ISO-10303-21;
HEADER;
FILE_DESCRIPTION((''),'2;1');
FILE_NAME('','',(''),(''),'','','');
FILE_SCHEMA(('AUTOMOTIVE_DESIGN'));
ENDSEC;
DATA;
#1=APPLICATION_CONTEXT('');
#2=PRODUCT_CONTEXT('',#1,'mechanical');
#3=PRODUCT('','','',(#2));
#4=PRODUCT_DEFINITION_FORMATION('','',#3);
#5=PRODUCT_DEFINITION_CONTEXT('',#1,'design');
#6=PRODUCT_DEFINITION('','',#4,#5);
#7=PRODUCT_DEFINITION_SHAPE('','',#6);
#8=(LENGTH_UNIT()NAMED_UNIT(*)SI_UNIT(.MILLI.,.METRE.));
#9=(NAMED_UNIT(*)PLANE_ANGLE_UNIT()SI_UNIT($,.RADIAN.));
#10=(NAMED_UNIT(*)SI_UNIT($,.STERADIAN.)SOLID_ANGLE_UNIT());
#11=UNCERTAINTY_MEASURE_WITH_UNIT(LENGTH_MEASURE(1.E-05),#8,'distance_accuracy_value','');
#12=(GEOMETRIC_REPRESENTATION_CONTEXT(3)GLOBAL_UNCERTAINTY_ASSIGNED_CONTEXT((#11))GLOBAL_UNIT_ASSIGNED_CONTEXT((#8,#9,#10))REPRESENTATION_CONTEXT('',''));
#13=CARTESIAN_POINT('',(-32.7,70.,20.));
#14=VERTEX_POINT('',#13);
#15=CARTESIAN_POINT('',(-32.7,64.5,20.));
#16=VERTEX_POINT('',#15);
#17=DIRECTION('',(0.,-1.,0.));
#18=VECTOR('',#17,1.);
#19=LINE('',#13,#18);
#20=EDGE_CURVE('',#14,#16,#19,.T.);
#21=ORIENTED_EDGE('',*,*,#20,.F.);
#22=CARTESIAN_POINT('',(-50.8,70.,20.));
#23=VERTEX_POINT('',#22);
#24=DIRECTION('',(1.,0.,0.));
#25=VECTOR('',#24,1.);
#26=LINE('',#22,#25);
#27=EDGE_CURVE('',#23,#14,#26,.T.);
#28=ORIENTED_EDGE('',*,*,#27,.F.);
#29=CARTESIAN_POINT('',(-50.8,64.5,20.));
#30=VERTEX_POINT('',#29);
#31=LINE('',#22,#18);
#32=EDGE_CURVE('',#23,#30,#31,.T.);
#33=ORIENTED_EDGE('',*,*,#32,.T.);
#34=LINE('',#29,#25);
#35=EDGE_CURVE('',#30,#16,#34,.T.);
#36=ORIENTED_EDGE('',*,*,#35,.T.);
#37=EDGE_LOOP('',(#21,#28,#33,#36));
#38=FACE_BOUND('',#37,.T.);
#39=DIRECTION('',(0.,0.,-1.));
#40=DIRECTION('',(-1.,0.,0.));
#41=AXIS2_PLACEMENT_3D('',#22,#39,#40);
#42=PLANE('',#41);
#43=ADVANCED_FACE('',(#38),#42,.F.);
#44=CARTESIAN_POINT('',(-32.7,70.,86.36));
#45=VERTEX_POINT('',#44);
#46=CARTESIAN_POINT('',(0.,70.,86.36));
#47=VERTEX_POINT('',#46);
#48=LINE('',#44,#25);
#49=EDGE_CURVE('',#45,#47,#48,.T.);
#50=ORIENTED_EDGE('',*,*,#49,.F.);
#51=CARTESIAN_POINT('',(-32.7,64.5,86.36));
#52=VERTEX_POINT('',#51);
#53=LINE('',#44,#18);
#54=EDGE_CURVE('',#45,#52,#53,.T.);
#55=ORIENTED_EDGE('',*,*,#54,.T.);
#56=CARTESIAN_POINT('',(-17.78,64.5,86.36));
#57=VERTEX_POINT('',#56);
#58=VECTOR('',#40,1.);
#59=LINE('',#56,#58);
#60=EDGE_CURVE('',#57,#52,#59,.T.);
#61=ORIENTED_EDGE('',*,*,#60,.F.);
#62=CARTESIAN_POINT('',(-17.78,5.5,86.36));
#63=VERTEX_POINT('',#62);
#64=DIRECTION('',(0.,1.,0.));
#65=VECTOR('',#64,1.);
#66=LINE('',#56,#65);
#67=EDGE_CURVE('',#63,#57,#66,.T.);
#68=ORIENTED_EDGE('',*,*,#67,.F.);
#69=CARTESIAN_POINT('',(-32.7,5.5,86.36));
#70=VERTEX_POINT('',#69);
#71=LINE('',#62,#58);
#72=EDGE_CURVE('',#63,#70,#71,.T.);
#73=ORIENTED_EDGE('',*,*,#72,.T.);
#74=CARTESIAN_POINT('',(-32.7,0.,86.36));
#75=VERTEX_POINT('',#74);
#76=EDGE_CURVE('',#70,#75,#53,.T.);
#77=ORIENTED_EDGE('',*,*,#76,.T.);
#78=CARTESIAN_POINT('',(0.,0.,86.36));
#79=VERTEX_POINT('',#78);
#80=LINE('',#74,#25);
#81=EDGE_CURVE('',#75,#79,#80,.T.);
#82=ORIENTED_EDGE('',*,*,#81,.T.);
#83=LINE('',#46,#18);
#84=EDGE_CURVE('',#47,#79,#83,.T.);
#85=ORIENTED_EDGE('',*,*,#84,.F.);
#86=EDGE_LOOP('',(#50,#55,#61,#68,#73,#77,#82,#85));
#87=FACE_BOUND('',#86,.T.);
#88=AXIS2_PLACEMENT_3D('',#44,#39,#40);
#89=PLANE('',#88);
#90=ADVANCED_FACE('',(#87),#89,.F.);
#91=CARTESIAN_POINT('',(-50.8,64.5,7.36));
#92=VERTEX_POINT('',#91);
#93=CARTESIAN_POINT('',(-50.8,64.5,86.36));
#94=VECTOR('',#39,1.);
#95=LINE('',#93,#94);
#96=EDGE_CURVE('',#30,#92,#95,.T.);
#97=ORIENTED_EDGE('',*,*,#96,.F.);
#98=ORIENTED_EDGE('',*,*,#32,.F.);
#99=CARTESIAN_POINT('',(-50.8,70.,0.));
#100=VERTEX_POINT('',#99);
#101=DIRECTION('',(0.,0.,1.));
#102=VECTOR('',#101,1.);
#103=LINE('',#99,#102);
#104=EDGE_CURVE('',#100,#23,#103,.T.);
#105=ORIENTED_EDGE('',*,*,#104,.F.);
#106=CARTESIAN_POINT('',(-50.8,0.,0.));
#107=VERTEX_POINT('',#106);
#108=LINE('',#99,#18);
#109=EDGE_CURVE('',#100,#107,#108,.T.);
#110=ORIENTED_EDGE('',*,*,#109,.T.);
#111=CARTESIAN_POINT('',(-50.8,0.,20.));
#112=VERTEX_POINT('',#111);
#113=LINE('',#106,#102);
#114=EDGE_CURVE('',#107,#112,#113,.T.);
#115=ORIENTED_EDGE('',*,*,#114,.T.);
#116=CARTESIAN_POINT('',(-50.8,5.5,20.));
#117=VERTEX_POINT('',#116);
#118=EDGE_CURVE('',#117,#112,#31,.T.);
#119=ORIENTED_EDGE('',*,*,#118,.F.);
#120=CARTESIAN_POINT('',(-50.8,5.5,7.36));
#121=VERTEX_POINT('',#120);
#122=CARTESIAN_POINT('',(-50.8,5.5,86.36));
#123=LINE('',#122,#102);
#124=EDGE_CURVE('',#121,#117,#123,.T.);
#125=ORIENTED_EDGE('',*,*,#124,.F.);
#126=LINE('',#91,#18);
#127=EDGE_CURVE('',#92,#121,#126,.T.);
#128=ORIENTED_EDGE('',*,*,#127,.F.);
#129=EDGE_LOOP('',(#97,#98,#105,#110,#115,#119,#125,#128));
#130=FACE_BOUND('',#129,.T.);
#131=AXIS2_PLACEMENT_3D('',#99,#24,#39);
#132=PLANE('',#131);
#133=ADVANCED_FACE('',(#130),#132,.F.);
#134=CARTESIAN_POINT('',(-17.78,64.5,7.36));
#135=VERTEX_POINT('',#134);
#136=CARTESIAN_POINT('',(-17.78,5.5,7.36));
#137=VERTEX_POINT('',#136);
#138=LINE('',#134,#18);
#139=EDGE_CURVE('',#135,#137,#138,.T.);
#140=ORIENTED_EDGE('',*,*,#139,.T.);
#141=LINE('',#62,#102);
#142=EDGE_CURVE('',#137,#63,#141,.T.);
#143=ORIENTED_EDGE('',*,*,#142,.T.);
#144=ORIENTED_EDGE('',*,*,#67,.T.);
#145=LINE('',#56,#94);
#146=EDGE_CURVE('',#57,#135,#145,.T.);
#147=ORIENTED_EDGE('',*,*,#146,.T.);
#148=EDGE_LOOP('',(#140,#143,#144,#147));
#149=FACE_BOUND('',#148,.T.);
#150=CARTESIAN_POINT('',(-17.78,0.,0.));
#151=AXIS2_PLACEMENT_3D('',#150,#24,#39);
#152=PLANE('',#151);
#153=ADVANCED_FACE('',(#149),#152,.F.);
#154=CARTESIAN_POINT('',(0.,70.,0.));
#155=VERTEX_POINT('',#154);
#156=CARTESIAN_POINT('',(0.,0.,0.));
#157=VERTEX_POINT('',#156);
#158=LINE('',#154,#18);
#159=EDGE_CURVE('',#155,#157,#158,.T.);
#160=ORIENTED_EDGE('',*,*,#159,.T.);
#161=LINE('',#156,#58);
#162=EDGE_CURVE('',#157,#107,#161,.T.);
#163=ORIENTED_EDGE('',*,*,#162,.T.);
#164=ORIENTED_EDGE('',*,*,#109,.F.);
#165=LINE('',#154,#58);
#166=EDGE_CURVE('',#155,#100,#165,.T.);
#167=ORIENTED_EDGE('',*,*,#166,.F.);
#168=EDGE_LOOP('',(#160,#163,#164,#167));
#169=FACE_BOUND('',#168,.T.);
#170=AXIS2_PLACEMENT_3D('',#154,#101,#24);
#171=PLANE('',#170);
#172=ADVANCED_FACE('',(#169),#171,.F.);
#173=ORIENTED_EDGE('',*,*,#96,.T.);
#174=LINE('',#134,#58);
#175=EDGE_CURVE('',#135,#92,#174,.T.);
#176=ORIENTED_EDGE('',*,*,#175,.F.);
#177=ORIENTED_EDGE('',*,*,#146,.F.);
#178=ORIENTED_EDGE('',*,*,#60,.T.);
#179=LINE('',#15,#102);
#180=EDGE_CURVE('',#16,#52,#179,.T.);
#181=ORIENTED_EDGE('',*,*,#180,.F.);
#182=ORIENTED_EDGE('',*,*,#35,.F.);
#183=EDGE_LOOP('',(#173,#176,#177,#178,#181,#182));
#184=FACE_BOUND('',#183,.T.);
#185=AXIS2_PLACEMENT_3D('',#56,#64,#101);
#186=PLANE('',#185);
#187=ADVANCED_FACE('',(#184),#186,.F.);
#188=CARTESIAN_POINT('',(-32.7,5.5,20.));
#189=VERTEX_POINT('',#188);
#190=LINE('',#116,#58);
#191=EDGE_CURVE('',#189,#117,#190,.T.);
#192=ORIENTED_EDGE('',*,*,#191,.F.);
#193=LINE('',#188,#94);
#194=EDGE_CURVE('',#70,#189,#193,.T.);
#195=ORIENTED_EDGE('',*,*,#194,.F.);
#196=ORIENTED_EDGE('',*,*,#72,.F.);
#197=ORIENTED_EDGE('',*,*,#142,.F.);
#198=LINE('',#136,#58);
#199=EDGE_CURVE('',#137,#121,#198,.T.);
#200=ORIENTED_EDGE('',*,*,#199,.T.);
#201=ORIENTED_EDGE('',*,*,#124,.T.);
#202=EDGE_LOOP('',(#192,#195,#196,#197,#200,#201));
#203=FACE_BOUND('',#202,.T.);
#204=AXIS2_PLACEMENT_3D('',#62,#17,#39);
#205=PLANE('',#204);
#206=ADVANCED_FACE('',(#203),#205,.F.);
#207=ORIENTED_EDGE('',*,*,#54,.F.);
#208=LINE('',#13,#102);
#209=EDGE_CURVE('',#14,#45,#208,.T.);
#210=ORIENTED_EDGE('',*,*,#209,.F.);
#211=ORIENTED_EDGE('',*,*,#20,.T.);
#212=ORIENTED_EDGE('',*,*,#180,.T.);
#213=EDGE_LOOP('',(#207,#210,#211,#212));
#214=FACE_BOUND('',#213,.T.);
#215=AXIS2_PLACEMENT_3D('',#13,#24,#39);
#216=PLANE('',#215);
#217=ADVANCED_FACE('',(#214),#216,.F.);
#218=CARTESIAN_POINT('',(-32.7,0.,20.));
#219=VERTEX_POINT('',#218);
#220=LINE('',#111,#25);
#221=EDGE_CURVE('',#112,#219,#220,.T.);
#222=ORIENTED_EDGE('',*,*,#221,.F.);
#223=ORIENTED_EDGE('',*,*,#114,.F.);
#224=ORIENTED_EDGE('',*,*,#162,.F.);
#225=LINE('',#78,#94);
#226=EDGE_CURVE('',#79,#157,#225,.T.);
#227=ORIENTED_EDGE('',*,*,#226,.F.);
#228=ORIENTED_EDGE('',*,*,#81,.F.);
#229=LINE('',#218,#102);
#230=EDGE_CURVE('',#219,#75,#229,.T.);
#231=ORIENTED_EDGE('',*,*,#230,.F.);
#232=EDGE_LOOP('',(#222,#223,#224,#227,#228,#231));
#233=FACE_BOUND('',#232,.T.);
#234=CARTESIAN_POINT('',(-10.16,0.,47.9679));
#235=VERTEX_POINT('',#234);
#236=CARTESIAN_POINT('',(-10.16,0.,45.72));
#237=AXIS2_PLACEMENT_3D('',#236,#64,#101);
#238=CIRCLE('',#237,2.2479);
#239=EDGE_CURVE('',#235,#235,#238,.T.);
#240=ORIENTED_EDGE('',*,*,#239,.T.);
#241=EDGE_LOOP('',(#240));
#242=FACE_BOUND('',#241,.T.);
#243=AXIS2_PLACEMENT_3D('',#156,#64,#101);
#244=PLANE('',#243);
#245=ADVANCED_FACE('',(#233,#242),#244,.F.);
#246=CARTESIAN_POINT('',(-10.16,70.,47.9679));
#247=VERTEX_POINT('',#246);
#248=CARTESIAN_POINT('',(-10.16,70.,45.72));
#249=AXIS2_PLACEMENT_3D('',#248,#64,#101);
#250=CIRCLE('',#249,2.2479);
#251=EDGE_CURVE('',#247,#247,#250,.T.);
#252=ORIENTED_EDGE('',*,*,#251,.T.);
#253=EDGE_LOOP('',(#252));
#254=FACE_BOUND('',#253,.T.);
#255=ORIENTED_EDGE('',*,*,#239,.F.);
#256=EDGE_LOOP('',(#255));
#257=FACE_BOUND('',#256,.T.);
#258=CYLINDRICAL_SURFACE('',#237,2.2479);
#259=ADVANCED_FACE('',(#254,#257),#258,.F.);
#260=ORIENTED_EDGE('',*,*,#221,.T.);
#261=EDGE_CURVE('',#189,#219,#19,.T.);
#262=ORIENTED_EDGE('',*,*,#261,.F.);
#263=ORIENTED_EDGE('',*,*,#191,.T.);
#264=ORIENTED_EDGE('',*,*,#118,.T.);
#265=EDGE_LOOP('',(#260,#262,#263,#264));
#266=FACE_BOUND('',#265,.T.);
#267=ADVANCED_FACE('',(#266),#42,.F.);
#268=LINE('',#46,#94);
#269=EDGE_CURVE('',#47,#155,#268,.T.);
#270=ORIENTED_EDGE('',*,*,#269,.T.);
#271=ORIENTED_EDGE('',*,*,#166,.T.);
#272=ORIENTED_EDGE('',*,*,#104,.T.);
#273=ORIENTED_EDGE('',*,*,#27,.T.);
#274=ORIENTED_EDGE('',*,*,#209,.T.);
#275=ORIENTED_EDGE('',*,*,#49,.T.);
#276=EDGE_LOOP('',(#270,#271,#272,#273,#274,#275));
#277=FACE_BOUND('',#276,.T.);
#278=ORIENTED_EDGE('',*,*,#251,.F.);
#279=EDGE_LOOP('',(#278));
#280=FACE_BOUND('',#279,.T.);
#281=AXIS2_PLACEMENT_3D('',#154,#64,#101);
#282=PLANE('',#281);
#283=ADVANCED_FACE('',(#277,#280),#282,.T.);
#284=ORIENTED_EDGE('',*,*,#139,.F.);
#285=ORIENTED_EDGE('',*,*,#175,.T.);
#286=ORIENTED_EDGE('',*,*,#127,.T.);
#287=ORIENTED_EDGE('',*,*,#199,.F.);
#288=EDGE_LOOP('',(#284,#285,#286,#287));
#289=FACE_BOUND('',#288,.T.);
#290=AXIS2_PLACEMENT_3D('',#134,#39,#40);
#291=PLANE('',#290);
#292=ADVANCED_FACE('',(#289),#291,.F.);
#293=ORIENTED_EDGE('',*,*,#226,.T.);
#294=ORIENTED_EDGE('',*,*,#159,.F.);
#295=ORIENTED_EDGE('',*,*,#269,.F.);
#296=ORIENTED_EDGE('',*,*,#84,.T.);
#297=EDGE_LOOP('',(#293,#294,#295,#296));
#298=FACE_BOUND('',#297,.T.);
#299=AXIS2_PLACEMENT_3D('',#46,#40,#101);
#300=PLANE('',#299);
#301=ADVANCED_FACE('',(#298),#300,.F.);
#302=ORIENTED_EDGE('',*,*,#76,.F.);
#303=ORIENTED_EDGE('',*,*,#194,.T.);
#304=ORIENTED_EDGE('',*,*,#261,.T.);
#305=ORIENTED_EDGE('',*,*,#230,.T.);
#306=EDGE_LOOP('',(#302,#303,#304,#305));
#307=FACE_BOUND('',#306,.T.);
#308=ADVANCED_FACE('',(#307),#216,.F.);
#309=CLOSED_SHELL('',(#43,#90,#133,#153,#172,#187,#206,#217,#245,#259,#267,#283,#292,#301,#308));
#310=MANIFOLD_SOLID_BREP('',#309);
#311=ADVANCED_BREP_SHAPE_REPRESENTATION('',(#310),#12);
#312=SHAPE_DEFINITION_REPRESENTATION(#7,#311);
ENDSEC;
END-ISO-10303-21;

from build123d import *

# Parameters (mm, degrees)
BOSS_EXTRUDE1_DEPTH = 70
SKETCH2_W           = 79
SKETCH2_H           = 59
CUT_EXTRUDE1_DEPTH  = 33.02
SKETCH3_R           = 2.2479
CUT_EXTRUDE2_DEPTH  = 123.22393219


with BuildPart() as part:
    # Sketch1 → Boss-Extrude1 (new body)
    with BuildSketch(Plane(origin=(0, 0, 0), x_dir=(1, 0, 0), z_dir=(0, 1, 0))):
        Polygon((-50.8, -20), (-32.7, -20), (-32.7, -86.36), (0, -86.36), (0, 0), (-50.8, 0), align=None)
    extrude(amount=BOSS_EXTRUDE1_DEPTH)

    # Sketch2 → Cut-Extrude1 (cut)
    with BuildSketch(Plane.ZY.offset(50.8)):
        with Locations((46.86, 35)):
            Rectangle(SKETCH2_W, SKETCH2_H)
    extrude(amount=-CUT_EXTRUDE1_DEPTH, mode=Mode.SUBTRACT)

    # Sketch3 → Cut-Extrude2 (cut, through all)
    with BuildSketch(Plane(origin=(0, 70, 0), x_dir=(1, 0, 0), z_dir=(0, 1, 0))):
        with Locations(Location((-10.16, -45.72, 0), (0, 0, 270))):
            Circle(SKETCH3_R)
    extrude(amount=-CUT_EXTRUDE2_DEPTH, mode=Mode.SUBTRACT)


solid = part.part
